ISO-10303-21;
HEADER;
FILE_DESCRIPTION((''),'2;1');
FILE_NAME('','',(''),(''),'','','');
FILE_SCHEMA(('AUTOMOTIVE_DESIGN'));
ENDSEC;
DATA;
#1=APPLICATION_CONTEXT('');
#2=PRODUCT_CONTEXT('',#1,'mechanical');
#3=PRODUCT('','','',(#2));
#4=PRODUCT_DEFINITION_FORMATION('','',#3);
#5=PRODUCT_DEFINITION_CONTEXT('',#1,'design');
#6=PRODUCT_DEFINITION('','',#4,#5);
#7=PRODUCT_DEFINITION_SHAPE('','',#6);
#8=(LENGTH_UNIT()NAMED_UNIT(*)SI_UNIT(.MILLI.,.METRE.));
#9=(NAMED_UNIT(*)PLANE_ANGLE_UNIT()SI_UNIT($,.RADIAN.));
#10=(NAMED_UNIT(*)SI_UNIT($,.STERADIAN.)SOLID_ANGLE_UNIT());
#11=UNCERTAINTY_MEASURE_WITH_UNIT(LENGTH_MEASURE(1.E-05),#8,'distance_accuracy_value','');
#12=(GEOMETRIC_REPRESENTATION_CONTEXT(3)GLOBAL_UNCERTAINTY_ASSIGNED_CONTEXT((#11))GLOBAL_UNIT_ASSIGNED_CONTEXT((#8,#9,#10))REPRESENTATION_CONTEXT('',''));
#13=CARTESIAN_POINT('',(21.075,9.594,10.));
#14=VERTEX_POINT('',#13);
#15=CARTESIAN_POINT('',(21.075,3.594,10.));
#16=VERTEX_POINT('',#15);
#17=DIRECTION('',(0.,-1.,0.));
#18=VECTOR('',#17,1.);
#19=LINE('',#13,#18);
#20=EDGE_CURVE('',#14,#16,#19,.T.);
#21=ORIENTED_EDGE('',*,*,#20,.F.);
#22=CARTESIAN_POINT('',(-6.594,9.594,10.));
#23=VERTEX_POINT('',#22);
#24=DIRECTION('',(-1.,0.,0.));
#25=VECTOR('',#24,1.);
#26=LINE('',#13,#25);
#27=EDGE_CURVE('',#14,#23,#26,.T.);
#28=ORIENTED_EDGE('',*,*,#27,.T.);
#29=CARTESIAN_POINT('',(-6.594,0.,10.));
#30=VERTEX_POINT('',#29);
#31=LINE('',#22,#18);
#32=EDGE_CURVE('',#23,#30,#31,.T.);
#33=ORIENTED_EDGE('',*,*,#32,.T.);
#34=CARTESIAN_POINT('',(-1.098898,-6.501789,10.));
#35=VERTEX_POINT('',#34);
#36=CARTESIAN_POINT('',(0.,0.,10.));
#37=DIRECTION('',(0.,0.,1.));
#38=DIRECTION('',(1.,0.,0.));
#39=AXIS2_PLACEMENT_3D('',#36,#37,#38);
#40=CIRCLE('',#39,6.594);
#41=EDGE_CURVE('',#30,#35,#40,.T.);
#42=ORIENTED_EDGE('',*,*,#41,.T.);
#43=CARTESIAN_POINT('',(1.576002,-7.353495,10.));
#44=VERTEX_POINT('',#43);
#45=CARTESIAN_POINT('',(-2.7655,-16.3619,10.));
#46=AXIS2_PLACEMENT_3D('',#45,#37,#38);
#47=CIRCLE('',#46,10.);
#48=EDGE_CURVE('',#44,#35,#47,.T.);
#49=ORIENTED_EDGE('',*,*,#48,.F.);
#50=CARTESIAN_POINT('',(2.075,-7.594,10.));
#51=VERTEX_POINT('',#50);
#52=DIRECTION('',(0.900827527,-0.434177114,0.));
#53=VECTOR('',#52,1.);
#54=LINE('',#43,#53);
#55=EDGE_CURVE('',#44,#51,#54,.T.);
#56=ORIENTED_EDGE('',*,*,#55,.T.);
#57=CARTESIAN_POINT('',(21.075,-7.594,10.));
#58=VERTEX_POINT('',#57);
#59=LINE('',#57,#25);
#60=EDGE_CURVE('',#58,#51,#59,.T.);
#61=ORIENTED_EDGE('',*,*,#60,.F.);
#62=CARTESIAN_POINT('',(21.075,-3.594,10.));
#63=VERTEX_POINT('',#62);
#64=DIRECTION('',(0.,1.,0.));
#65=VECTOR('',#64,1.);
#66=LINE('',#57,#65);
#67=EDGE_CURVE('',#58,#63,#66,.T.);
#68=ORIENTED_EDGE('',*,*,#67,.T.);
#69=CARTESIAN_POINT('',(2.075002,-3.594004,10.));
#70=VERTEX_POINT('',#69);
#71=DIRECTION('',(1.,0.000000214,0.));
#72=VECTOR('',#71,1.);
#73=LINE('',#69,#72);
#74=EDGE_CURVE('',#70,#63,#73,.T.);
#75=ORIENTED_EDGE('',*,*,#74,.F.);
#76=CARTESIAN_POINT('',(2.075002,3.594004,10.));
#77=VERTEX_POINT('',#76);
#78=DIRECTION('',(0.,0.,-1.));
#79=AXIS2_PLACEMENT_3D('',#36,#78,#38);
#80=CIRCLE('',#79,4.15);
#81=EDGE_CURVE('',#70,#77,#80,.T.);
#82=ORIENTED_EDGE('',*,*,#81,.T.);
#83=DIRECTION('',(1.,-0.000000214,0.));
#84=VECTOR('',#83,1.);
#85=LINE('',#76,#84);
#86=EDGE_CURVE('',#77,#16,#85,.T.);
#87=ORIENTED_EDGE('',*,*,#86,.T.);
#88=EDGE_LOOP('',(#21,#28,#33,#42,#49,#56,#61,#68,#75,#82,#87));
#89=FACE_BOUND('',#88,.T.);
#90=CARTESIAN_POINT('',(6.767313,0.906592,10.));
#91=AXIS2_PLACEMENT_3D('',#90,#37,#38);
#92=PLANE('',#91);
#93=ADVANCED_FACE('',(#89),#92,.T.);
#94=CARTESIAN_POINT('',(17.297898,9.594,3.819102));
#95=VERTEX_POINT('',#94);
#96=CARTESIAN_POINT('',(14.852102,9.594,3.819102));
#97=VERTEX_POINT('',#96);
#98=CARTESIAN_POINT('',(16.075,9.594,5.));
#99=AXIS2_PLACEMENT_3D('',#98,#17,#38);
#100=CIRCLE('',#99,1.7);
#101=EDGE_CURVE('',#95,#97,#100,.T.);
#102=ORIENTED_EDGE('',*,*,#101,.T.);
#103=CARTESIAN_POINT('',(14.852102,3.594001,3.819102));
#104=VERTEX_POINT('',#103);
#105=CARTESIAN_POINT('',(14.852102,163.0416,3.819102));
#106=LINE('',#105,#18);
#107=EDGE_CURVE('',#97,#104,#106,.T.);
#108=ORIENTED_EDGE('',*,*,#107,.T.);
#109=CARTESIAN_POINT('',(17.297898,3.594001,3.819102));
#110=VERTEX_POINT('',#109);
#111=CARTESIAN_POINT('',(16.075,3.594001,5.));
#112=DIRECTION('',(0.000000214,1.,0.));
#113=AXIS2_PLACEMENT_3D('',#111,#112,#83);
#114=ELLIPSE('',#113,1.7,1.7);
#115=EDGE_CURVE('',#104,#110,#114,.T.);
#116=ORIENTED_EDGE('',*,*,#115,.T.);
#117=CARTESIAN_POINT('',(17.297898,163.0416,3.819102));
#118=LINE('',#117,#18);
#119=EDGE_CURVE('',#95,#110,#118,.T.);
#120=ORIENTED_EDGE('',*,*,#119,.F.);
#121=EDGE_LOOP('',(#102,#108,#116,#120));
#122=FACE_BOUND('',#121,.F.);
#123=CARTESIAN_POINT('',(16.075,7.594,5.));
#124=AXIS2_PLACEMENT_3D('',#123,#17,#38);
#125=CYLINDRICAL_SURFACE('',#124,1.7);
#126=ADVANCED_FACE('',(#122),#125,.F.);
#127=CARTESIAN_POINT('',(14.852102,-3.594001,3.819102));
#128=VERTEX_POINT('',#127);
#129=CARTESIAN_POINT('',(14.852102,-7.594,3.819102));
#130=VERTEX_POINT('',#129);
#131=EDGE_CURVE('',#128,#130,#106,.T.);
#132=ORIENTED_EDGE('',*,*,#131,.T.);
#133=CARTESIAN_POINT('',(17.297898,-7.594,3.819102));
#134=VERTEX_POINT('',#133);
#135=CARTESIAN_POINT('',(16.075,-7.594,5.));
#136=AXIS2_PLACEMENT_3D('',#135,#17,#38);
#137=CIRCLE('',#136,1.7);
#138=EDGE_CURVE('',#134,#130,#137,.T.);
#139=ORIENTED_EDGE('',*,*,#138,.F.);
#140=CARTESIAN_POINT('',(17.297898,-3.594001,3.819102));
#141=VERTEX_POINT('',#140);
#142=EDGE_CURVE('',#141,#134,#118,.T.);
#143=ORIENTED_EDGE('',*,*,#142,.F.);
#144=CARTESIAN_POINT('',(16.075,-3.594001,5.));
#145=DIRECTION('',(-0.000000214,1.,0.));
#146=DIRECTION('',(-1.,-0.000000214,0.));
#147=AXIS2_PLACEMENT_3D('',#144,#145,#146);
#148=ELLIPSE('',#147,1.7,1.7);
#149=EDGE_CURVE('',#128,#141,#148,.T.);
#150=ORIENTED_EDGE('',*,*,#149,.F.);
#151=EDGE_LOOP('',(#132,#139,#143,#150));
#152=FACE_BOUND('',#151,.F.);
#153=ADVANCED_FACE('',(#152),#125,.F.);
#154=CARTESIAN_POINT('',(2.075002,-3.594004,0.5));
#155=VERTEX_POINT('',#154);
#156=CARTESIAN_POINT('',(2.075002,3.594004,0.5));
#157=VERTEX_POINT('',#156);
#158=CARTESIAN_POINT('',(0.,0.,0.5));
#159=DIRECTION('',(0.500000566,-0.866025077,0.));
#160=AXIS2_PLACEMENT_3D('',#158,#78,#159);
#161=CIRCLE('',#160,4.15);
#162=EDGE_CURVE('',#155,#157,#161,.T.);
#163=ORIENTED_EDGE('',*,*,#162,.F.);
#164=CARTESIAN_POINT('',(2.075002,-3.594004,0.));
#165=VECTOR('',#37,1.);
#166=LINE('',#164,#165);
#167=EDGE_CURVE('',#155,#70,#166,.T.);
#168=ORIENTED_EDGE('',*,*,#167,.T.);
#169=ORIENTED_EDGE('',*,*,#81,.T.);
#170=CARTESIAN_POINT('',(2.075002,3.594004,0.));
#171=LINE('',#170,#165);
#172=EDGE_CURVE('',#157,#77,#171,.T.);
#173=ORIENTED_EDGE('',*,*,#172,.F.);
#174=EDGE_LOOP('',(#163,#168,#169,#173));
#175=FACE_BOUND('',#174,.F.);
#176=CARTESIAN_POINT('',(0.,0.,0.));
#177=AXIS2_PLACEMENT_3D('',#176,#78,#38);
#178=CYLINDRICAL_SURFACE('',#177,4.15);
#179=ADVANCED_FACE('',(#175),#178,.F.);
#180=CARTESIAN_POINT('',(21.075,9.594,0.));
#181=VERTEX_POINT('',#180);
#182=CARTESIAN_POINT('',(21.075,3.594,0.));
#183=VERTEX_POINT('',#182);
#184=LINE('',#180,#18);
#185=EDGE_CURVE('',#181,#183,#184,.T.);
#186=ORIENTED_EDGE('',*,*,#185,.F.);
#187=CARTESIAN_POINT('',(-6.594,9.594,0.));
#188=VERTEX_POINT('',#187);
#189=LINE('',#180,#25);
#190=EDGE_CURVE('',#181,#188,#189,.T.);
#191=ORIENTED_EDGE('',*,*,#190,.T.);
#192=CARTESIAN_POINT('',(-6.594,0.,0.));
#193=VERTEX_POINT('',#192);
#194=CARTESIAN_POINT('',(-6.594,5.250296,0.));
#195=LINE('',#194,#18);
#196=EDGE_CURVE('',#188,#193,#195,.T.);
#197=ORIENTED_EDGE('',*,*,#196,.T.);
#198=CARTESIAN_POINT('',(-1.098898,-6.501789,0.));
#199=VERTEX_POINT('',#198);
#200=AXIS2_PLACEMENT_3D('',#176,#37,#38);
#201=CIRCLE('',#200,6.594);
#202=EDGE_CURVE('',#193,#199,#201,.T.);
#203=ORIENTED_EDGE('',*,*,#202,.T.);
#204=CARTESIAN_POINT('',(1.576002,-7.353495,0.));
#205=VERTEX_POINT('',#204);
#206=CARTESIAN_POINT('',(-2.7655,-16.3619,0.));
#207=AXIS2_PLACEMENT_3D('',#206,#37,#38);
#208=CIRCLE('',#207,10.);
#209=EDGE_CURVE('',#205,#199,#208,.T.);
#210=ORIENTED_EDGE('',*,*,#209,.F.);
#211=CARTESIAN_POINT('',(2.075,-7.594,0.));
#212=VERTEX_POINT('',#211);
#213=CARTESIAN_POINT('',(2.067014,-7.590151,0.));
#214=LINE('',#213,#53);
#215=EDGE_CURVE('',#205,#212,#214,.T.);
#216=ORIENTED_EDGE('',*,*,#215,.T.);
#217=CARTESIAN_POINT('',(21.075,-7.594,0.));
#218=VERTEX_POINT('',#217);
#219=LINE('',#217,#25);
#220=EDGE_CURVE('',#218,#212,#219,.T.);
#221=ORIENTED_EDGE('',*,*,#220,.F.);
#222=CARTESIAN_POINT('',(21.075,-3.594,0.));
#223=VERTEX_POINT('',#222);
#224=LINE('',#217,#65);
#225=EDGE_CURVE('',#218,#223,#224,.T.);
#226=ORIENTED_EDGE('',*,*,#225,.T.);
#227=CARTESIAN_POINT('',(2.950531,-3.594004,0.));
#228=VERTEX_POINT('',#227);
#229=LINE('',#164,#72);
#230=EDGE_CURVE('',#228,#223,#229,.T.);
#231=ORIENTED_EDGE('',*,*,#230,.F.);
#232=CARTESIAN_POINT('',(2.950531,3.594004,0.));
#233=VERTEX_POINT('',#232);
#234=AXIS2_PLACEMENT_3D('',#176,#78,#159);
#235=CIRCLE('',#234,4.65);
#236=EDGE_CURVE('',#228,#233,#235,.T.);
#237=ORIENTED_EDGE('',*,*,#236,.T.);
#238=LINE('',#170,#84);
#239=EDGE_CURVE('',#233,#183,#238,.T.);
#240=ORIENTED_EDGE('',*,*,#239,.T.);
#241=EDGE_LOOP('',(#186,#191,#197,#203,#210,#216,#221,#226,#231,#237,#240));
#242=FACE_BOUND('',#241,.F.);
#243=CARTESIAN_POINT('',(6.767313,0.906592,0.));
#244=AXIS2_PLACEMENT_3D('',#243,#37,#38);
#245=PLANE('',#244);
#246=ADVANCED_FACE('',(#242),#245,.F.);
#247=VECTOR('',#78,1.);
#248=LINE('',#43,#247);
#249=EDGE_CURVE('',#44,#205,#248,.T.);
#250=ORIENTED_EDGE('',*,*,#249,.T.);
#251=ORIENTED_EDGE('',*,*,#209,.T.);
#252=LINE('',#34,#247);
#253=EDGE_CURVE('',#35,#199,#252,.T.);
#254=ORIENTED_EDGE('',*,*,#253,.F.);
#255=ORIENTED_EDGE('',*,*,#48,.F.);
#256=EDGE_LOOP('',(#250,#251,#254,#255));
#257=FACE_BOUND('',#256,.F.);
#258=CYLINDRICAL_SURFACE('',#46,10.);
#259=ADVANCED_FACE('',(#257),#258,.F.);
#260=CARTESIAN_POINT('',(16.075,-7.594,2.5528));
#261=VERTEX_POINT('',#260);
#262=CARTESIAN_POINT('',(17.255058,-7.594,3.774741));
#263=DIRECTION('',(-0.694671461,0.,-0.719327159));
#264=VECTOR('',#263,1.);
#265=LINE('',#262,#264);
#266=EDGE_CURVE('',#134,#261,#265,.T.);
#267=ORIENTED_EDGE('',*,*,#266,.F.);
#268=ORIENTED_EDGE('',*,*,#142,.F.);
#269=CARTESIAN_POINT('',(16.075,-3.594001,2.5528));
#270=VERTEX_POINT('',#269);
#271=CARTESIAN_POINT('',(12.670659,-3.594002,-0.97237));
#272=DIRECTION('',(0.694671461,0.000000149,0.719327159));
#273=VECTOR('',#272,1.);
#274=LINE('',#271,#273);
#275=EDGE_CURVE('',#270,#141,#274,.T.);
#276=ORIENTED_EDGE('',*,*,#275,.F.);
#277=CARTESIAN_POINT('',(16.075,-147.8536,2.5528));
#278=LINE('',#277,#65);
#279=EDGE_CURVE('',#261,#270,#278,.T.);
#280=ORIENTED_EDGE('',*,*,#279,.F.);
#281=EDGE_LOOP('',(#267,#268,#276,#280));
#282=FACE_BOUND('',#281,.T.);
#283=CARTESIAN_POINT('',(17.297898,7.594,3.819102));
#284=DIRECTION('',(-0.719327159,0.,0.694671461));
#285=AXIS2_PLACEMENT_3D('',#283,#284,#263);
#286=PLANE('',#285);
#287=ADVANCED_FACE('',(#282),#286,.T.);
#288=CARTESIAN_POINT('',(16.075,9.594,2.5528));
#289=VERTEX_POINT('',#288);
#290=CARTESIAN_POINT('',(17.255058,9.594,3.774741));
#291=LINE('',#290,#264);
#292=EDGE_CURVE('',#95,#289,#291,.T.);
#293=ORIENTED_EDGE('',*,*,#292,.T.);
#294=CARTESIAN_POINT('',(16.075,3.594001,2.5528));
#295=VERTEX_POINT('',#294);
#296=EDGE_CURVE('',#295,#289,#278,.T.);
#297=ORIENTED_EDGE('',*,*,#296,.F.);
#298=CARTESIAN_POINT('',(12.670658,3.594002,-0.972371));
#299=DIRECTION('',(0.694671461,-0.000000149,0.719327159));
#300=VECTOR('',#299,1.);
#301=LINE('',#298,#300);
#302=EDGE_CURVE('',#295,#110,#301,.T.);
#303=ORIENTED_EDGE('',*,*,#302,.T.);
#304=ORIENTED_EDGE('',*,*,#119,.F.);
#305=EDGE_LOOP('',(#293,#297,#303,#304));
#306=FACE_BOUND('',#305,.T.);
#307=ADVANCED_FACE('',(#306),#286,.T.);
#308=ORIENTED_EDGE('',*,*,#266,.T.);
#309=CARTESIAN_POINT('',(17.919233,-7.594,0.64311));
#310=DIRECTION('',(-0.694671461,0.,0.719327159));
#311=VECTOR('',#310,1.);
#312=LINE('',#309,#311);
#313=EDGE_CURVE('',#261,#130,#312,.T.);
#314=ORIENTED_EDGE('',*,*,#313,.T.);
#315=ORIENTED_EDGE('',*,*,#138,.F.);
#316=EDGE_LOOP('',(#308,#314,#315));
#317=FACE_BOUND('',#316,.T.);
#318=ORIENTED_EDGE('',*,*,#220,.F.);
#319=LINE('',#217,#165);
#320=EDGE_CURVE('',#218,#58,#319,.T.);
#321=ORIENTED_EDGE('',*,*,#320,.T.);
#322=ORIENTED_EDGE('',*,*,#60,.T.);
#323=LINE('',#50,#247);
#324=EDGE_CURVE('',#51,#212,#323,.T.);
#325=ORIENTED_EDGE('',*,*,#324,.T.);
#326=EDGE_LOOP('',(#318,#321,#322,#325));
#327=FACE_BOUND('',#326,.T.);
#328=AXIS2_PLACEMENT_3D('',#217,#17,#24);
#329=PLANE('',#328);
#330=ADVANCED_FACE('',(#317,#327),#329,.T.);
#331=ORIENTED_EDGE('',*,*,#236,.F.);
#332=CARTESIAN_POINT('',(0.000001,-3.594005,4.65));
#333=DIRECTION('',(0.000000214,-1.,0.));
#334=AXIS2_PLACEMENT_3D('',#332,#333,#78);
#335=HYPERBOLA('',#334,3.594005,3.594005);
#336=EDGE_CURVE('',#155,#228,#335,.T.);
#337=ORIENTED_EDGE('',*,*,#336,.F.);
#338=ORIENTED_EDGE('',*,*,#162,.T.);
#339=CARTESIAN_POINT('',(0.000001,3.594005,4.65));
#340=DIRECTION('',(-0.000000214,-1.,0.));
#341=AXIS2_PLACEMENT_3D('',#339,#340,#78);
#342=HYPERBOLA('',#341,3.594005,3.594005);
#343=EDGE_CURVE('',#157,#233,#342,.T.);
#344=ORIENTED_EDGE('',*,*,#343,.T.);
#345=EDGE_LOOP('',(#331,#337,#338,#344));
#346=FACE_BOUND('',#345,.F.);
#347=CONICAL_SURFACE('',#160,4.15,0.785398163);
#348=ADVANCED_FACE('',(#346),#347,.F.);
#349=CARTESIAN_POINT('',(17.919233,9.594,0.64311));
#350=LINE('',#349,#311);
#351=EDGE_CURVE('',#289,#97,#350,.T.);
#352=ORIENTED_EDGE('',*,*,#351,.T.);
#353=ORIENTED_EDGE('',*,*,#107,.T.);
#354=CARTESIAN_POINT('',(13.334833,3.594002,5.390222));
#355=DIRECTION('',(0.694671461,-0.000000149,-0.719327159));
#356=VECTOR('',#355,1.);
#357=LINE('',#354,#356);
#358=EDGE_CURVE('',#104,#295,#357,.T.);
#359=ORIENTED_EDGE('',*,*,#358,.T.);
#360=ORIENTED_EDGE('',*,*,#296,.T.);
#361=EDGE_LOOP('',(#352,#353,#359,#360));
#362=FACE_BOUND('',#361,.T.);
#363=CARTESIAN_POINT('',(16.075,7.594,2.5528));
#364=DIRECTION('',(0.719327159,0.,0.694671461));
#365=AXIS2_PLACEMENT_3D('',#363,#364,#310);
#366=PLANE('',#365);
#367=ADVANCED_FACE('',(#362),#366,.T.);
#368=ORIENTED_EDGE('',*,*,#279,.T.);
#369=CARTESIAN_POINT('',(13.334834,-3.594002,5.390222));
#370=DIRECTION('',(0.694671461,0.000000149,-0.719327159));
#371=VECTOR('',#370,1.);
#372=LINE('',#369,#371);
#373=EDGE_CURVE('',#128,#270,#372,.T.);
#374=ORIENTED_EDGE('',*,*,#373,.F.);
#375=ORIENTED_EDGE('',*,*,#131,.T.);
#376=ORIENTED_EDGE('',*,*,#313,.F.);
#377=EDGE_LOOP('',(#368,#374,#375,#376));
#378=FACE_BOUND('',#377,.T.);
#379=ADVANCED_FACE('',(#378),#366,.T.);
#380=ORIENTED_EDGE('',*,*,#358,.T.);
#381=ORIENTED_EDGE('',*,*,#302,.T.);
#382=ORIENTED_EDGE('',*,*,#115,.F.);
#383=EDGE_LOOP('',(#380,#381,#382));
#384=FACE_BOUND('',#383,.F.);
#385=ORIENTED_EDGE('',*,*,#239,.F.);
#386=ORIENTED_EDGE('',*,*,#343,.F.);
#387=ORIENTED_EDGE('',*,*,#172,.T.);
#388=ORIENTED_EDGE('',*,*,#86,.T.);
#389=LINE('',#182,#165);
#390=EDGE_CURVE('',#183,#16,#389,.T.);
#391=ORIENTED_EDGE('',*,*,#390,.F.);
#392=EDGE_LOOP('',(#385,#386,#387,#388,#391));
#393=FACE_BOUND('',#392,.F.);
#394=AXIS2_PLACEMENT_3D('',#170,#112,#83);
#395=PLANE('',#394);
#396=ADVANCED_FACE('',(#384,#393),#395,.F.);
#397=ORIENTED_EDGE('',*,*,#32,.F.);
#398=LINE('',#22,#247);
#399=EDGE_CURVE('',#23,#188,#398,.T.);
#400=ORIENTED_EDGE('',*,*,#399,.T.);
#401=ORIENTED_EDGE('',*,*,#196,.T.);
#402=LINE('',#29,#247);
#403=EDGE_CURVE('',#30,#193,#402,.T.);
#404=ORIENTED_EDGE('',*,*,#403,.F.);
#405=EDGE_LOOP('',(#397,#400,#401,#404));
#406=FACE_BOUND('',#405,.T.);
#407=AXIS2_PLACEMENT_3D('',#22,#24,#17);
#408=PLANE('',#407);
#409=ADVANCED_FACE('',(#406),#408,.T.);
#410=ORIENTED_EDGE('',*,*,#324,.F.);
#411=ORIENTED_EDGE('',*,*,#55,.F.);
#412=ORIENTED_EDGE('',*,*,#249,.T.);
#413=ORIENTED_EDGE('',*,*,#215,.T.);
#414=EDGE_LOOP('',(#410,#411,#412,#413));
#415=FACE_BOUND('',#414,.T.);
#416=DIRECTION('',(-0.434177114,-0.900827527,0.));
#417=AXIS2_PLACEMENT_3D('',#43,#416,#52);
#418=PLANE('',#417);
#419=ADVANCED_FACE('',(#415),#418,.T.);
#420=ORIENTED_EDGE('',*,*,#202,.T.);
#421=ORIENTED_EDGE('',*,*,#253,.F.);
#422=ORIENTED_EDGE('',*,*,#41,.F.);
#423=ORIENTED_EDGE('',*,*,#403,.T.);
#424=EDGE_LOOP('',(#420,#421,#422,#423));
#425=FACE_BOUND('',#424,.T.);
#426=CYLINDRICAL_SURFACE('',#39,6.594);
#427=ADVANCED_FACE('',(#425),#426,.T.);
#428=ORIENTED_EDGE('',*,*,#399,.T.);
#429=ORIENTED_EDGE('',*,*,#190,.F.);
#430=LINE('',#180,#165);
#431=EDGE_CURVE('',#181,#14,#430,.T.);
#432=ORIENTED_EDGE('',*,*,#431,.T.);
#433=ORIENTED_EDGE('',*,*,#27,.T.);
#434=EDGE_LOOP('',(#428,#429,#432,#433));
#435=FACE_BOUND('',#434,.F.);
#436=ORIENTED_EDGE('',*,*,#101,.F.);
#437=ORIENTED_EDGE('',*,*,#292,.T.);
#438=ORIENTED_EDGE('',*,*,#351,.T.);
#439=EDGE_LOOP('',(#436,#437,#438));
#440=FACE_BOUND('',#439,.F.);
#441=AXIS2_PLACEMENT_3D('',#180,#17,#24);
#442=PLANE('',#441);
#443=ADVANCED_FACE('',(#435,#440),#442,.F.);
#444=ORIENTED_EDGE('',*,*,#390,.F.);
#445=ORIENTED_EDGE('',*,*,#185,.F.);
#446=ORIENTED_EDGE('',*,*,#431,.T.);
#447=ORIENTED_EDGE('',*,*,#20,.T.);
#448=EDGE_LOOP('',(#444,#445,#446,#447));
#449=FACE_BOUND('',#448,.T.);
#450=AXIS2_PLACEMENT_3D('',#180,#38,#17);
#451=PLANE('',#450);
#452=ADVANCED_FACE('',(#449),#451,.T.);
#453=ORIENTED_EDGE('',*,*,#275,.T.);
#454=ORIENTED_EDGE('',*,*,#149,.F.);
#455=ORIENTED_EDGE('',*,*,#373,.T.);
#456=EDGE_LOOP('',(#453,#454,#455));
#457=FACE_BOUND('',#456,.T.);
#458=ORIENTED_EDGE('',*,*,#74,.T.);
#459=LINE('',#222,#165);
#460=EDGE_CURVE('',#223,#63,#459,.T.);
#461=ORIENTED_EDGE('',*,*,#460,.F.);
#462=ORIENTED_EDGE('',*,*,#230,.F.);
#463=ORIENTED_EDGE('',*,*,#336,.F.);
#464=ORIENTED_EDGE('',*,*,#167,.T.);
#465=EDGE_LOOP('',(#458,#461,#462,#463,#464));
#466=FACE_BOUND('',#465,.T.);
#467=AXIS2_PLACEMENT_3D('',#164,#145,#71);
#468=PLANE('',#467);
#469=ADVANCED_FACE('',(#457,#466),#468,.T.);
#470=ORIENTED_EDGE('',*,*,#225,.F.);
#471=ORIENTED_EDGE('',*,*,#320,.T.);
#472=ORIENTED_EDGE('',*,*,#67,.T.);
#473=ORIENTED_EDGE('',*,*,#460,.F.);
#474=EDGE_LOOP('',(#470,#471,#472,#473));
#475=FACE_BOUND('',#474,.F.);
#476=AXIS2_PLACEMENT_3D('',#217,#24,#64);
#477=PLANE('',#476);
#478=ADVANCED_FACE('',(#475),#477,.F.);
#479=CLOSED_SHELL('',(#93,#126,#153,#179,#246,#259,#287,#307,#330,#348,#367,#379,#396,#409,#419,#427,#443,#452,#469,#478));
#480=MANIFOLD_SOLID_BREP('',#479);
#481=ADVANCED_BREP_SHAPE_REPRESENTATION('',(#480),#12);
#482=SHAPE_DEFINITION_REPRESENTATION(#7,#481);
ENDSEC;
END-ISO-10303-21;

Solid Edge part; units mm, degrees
sketch "Sketch1" plane through (0, 0, 0) normal (0, 0, 1) x (1, 0, 0)
  line L0 (2.075, 3.594) -> (21.075, 3.594)
  line L1 (21.075, 9.594) -> (21.075, 3.594)
  line L2 (21.075, 9.594) -> (-7.594, 9.594)
  line L3 (-7.594, 0) -> (-7.594, 9.594)
  line L4 (21.075, -7.594) -> (0, -7.594)
  line L5 (21.075, -7.594) -> (21.075, -3.594)
  line L6 (2.075, -3.594) -> (21.075, -3.594)
  arc A0 (2.075, -3.594) -> (2.075, 3.594) centre (0, 0) cw
  arc A1 (-7.594, 0) -> (0, -7.594) centre (0, 0) ccw
extrude "Protrusion1" add sketch "Sketch1" along normal blind 10
sketch "Sketch2" plane through (-2.2595, 7.594, 5) normal (0, 1, 0) x (1, 0, 0)
  line L0 (19.5574, 1.1809) -> (18.3345, 2.4472)
  line L1 (18.3345, 2.4472) -> (17.1116, 1.1809)
  arc A0 (19.5574, 1.1809) -> (17.1116, 1.1809) centre (18.3345, 0) cw
extrude "Cutout1" cut sketch "Sketch2" along normal through all and the other way through all
sketch "Sketch3" plane through (6.7405, 1, 10) normal (0, 0, 1) x (1, 0, 0)
  line L0 (-14.3345, 8.594) -> (-13.3345, 8.594)
  line L1 (-13.3345, 8.594) -> (-13.3345, -1)
  arc A0 (-13.3345, -1) -> (-7.8394, -7.5018) centre (-6.7405, -1) ccw
  arc A1 (-5.1645, -8.3535) -> (-7.8394, -7.5018) centre (-9.506, -17.3619) ccw
  line L2 (-5.1645, -8.3535) -> (-4.6655, -8.594)
  dimension "D1" = 1
extrude "Cutout2" cut sketch "Sketch3" against normal through all material side at (-7.094, 9.544, 10)
chamfer "Chamfer_2" distance 0.5 angle 45 1 edges at (-4.15, 0, 0)
properties material "ABS Plastic, medium impact"
